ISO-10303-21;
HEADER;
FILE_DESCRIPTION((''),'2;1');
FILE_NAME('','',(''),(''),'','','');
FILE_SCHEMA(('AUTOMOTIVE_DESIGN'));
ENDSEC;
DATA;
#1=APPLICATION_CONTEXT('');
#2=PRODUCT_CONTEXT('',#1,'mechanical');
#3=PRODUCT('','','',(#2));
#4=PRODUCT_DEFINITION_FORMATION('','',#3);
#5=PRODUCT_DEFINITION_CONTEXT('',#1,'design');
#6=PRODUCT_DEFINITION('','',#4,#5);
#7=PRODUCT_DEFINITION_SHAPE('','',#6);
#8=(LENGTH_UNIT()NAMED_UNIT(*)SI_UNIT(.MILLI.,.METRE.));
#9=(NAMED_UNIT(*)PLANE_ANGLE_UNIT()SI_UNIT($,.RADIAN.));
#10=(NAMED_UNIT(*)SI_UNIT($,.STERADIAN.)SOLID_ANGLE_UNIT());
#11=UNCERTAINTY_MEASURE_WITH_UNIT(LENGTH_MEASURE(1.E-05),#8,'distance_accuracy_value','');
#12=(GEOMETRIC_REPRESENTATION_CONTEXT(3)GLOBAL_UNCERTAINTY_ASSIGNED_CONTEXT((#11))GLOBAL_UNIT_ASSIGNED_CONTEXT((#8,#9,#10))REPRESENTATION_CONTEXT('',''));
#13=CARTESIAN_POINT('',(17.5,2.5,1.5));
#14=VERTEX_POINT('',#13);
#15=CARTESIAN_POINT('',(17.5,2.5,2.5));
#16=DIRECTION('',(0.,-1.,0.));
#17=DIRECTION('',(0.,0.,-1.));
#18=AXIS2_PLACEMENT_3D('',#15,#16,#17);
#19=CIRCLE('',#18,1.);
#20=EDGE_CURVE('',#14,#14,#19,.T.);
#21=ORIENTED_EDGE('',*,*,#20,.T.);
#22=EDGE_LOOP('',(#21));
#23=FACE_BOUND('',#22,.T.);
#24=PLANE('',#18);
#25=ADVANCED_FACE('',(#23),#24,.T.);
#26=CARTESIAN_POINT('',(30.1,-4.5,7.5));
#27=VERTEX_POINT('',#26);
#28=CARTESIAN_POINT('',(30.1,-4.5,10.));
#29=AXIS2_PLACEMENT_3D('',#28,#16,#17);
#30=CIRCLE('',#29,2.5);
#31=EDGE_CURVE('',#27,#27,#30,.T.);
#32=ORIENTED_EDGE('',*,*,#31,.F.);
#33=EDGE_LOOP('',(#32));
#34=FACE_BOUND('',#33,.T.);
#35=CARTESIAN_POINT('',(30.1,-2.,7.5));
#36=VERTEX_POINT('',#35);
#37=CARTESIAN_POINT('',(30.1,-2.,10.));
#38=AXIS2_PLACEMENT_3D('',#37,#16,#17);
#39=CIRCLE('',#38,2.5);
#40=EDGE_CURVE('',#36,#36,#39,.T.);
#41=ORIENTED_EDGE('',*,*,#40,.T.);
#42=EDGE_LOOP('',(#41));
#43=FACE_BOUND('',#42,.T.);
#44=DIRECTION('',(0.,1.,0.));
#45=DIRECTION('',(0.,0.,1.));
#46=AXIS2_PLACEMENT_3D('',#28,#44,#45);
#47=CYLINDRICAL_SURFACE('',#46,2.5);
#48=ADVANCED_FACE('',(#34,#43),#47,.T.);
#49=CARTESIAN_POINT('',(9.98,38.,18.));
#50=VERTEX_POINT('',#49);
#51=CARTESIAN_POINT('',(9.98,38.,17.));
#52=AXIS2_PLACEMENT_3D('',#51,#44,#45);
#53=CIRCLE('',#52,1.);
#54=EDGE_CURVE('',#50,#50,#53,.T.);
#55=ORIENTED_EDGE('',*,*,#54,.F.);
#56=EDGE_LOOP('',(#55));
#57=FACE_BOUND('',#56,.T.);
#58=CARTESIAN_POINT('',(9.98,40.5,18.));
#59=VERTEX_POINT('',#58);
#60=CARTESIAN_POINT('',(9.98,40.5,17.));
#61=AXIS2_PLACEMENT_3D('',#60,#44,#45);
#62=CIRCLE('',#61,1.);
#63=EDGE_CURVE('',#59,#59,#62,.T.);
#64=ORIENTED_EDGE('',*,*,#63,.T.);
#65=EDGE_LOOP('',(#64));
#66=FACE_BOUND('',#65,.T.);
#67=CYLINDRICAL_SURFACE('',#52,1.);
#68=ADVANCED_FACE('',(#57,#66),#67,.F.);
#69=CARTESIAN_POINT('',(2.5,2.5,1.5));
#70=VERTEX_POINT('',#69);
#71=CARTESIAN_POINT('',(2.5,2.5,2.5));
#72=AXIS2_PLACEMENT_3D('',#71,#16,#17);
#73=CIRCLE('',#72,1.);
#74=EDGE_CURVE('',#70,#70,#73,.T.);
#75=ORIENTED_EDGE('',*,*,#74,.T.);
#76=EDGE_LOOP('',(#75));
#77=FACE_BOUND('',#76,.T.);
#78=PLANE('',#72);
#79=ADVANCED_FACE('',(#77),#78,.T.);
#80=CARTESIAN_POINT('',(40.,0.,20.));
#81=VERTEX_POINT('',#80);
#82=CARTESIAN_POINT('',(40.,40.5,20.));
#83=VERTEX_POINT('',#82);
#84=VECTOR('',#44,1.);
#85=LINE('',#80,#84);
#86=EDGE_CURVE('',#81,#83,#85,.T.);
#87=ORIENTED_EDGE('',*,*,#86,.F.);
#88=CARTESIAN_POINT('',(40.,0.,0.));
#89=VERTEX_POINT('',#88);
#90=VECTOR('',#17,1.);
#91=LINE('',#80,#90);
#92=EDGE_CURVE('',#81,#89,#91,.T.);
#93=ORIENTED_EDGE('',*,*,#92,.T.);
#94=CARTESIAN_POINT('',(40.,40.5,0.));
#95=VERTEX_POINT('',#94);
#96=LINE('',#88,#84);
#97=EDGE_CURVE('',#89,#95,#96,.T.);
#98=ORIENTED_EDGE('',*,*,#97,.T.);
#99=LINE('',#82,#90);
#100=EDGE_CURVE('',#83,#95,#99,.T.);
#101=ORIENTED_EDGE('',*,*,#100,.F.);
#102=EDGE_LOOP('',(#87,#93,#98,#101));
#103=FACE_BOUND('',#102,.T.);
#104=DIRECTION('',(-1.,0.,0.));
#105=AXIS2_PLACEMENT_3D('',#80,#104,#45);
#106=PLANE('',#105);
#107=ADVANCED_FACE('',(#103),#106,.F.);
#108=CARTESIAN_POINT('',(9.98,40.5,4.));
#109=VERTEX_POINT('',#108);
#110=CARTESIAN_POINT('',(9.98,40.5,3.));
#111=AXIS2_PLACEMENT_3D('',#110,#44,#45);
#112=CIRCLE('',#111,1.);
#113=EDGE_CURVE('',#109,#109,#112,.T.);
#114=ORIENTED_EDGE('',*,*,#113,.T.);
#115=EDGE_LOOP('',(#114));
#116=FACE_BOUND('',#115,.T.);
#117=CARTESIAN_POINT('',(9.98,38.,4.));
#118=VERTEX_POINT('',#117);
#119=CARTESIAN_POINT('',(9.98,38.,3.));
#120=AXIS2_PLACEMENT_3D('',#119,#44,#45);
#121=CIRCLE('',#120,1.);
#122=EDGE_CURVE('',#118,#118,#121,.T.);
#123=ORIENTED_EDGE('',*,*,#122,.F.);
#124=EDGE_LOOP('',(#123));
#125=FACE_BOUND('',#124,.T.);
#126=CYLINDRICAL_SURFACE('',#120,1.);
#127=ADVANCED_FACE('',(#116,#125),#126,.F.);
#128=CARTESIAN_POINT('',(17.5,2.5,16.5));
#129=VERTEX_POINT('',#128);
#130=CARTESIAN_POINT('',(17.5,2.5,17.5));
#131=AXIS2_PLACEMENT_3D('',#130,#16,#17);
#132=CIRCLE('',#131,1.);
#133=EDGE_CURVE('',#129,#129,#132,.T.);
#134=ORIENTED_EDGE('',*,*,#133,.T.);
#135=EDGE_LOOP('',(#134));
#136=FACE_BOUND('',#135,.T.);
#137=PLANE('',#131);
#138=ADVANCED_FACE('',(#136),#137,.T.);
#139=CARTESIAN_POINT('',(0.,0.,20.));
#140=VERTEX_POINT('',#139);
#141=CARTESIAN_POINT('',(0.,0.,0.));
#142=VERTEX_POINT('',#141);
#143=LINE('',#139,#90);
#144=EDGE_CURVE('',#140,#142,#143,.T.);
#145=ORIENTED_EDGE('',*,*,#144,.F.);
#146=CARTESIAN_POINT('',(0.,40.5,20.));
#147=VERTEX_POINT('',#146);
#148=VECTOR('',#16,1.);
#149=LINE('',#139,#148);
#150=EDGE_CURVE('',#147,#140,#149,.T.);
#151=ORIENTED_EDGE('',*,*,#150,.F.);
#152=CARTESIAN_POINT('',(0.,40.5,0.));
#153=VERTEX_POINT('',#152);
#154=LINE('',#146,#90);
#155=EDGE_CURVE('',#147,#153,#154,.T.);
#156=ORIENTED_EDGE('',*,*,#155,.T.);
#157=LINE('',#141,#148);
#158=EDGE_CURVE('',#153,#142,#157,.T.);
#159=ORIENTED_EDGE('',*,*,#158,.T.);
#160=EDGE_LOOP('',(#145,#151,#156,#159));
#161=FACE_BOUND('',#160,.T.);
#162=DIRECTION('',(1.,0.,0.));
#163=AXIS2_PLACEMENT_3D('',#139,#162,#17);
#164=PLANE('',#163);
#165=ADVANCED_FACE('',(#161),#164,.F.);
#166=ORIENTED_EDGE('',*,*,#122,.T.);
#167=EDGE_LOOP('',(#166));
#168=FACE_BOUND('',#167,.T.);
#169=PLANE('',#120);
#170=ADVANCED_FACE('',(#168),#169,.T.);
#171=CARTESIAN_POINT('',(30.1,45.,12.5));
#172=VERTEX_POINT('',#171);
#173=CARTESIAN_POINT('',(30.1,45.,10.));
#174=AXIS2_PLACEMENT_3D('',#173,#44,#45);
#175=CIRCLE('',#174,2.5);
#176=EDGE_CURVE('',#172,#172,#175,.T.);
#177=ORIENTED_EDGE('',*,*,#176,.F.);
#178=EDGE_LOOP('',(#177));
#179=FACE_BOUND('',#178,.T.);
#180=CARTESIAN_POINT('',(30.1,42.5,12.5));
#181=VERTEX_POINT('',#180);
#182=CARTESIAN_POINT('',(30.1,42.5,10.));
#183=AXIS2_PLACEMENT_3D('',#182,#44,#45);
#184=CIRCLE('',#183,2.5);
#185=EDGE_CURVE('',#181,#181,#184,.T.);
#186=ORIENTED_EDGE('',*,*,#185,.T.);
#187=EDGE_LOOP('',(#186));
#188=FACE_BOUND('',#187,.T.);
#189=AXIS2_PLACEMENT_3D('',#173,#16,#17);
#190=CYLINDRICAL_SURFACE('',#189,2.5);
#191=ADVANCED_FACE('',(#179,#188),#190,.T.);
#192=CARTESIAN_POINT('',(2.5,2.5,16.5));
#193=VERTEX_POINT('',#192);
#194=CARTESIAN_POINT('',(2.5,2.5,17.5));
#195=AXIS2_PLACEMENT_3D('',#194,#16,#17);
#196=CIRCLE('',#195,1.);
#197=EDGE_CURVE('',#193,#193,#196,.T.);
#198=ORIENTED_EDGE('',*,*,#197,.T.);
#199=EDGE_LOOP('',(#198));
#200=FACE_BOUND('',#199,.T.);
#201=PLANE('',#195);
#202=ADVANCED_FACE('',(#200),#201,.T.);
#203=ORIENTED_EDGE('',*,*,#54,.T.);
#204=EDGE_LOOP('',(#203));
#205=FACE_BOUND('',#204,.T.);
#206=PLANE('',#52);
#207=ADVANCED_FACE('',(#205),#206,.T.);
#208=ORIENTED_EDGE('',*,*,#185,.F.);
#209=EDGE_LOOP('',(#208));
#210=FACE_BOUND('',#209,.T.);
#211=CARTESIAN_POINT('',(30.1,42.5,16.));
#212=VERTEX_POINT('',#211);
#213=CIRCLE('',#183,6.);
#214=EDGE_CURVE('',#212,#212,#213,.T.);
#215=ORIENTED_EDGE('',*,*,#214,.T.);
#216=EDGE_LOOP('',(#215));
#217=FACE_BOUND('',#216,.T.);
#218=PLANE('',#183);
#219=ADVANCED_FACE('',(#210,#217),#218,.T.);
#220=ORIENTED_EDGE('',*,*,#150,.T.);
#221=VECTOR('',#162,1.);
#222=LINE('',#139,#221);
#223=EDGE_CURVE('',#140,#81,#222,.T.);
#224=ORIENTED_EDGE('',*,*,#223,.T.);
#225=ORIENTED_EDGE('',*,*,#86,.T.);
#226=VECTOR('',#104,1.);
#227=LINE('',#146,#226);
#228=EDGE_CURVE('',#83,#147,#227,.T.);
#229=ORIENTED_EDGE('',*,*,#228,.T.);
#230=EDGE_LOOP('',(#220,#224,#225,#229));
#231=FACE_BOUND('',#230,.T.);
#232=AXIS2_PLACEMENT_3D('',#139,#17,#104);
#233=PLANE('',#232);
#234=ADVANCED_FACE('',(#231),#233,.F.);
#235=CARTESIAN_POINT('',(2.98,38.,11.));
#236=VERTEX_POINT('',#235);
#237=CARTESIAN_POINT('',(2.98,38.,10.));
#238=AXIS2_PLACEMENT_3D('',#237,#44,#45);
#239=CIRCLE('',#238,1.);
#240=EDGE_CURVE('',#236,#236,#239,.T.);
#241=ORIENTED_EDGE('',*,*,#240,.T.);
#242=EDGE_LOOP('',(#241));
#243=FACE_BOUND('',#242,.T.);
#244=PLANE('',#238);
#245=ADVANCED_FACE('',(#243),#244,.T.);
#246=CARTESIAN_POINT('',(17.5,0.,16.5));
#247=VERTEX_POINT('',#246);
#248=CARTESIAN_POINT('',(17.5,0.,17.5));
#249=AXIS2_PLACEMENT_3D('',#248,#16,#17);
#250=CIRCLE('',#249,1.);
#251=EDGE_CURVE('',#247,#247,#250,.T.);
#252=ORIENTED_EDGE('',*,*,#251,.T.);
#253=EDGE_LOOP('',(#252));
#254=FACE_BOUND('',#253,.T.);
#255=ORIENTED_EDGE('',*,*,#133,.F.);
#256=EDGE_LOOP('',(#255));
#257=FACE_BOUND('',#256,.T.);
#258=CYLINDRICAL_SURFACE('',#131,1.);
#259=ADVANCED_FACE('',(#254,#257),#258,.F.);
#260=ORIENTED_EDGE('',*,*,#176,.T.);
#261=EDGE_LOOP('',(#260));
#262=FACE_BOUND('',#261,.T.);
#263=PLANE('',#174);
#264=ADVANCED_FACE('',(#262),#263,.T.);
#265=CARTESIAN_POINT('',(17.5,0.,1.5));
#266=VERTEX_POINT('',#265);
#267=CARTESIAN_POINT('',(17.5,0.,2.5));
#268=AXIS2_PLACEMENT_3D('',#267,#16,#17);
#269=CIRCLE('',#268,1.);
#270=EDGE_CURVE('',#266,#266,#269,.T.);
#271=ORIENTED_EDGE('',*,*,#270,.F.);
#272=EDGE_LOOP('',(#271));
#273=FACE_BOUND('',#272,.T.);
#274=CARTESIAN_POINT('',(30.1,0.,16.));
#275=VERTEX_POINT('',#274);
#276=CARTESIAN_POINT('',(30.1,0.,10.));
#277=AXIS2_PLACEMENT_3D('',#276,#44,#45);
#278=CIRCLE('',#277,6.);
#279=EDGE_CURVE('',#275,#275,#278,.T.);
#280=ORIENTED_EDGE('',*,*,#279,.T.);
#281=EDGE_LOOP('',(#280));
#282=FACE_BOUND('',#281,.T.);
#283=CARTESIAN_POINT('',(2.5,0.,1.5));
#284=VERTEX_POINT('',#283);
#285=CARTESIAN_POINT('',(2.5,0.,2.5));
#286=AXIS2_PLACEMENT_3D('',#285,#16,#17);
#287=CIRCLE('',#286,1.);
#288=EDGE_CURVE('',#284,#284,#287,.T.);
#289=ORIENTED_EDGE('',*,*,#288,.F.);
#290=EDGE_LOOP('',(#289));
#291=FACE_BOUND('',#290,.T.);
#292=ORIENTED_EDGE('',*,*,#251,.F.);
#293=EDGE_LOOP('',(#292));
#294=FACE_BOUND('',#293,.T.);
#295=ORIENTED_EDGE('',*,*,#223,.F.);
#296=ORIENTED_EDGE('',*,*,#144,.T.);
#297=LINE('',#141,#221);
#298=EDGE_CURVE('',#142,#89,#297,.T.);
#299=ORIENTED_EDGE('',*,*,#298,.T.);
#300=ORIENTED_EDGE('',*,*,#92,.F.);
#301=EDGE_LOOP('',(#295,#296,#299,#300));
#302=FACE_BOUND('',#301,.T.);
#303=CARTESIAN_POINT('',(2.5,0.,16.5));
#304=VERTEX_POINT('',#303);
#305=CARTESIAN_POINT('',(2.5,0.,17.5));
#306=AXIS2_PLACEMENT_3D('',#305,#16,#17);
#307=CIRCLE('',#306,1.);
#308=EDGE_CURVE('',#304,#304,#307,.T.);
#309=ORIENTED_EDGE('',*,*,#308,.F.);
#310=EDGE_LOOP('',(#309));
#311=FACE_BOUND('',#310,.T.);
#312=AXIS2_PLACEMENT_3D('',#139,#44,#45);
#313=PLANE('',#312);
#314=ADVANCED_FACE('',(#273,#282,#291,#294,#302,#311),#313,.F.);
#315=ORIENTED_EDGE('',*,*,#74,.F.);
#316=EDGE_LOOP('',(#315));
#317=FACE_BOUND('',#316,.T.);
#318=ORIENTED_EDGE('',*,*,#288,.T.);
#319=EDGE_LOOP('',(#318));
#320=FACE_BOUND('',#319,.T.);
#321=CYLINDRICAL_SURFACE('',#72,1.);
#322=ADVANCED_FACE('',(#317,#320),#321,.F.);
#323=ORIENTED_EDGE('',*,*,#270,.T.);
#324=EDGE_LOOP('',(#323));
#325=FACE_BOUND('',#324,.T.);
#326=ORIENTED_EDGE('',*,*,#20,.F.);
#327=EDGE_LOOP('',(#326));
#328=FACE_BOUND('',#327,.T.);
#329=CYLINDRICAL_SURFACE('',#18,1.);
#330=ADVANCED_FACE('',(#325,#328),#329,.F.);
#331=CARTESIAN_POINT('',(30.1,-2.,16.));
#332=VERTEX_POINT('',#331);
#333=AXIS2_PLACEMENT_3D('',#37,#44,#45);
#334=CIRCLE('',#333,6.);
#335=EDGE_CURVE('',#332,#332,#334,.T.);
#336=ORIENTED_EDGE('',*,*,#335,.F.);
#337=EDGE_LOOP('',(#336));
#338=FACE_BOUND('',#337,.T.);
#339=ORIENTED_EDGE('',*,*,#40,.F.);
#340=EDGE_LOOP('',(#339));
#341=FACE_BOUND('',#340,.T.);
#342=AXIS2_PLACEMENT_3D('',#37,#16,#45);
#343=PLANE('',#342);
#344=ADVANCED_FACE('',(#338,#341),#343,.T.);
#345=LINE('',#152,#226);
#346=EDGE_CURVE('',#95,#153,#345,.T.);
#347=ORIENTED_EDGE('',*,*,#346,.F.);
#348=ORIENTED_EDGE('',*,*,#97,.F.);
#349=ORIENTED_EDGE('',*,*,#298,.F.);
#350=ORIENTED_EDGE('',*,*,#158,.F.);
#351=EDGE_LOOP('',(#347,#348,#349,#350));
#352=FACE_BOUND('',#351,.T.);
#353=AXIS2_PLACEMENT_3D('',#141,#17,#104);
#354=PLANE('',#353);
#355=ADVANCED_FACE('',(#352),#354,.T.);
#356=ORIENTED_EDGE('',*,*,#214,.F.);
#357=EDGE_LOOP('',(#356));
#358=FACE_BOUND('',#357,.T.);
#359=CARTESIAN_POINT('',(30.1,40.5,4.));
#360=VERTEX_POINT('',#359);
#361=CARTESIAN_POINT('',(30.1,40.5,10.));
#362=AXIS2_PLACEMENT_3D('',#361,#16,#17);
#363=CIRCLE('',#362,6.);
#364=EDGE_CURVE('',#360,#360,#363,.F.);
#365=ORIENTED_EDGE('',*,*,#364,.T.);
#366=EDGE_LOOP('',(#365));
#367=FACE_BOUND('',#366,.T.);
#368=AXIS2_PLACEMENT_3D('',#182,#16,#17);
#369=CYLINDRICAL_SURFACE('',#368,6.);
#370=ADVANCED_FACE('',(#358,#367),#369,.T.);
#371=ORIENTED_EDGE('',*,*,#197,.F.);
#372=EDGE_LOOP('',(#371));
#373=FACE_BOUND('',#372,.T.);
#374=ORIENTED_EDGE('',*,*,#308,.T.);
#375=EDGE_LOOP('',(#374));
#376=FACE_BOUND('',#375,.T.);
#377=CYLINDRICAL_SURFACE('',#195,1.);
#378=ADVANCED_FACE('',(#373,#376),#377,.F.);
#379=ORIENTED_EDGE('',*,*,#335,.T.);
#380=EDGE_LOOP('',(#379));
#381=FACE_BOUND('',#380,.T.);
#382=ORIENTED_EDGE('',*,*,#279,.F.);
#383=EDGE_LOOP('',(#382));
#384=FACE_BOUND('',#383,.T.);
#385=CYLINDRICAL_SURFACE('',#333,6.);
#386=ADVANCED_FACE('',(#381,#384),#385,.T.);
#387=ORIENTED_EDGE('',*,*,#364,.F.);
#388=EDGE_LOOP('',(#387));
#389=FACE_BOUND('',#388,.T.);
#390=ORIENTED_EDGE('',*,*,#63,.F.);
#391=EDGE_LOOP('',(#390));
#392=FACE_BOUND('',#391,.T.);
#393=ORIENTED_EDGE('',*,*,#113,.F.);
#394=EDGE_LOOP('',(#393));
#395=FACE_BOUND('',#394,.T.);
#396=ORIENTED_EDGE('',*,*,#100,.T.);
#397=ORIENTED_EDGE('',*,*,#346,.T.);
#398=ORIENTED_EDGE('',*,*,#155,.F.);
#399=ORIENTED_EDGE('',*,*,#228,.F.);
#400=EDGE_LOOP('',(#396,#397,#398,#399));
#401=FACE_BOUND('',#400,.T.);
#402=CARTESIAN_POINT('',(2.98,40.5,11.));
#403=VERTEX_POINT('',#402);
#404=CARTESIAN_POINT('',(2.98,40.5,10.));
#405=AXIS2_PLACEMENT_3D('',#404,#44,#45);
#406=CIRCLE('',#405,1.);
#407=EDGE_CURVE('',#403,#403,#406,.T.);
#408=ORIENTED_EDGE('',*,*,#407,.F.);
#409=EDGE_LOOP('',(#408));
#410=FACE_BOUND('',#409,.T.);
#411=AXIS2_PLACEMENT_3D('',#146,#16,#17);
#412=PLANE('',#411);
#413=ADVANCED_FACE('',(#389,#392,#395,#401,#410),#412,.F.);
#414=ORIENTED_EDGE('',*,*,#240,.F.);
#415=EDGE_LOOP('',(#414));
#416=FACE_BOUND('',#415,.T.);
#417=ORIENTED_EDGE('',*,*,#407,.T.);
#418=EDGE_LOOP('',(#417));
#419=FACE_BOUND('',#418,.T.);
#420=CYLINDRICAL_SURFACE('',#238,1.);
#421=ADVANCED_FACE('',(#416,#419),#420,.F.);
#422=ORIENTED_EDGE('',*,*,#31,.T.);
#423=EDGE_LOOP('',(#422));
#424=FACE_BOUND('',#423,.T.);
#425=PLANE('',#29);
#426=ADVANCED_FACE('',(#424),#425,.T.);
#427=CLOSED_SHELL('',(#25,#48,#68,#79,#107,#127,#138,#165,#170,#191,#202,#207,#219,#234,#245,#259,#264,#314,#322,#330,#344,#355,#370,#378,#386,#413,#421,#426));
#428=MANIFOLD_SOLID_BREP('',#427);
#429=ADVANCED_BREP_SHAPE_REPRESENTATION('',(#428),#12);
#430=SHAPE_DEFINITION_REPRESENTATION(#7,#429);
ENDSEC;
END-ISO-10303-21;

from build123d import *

# Parameters (mm, degrees)
SKETCH_1_W          = 40
SKETCH_1_H          = 40.5
EXTRUDE_1_DEPTH     = 20
SKETCH_2_R          = 6
EXTRUDE_2_DEPTH     = 2
SKETCH_4_R          = 2.5
EXTRUDE_3_DEPTH     = 2.5
SKETCH_5_R          = 2.5
EXTRUDE_4_DEPTH     = 2.5
SKETCH_6_R          = 1
CUT_EXTRUDE_1_DEPTH = 2.5
SKETCH_7_R          = 1
CUT_EXTRUDE_2_DEPTH = 2.5


with BuildPart() as part:
    # 草图1 → 凸台-拉伸1 (new body)
    with BuildSketch(Plane.XY):
        with Locations((20, 20.25)):
            Rectangle(SKETCH_1_W, SKETCH_1_H)
    extrude(amount=EXTRUDE_1_DEPTH)

    # 草图2 → 凸台-拉伸2 (add)
    with BuildSketch(Plane(origin=(0, 40.5, 0), x_dir=(1, 0, 0), z_dir=(0, 1, 0))):
        with Locations((30.1, -10)):
            Circle(SKETCH_2_R)
    extrude_2 = extrude(amount=EXTRUDE_2_DEPTH)

    # 镜向1: 凸台-拉伸2 across plane
    add(extrude_2.mirror(Plane.ZX.offset(20.25)))

    # 草图4 → 凸台-拉伸3 (add)
    with BuildSketch(Plane(origin=(0, 42.5, 0), x_dir=(1, 0, 0), z_dir=(0, 1, 0))):
        with Locations((30.1, -10)):
            Circle(SKETCH_4_R)
    extrude(amount=EXTRUDE_3_DEPTH)

    # 草图5 → 凸台-拉伸4 (add)
    with BuildSketch(Plane.XZ.offset(2)):
        with Locations((30.1, 10)):
            Circle(SKETCH_5_R)
    extrude(amount=EXTRUDE_4_DEPTH)

    # 草图6 → 切除-拉伸1 (cut)
    with BuildSketch(Plane(origin=(0, 40.5, 0), x_dir=(1, 0, 0), z_dir=(0, 1, 0))):
        with Locations((9.98, -3)):
            Circle(SKETCH_6_R)
        with Locations((9.98, -17)):
            Circle(SKETCH_6_R)
        with Locations((2.98, -10)):
            Circle(SKETCH_6_R)
    extrude(amount=-CUT_EXTRUDE_1_DEPTH, mode=Mode.SUBTRACT)

    # 草图7 → 切除-拉伸2 (cut)
    with BuildSketch(Plane.XZ):
        with Locations((2.5, 17.5)):
            Circle(SKETCH_7_R)
        with Locations((17.5, 17.5)):
            Circle(SKETCH_7_R)
        with Locations((17.5, 2.5)):
            Circle(SKETCH_7_R)
        with Locations((2.5, 2.5)):
            Circle(SKETCH_7_R)
    extrude(amount=-CUT_EXTRUDE_2_DEPTH, mode=Mode.SUBTRACT)


solid = part.part
